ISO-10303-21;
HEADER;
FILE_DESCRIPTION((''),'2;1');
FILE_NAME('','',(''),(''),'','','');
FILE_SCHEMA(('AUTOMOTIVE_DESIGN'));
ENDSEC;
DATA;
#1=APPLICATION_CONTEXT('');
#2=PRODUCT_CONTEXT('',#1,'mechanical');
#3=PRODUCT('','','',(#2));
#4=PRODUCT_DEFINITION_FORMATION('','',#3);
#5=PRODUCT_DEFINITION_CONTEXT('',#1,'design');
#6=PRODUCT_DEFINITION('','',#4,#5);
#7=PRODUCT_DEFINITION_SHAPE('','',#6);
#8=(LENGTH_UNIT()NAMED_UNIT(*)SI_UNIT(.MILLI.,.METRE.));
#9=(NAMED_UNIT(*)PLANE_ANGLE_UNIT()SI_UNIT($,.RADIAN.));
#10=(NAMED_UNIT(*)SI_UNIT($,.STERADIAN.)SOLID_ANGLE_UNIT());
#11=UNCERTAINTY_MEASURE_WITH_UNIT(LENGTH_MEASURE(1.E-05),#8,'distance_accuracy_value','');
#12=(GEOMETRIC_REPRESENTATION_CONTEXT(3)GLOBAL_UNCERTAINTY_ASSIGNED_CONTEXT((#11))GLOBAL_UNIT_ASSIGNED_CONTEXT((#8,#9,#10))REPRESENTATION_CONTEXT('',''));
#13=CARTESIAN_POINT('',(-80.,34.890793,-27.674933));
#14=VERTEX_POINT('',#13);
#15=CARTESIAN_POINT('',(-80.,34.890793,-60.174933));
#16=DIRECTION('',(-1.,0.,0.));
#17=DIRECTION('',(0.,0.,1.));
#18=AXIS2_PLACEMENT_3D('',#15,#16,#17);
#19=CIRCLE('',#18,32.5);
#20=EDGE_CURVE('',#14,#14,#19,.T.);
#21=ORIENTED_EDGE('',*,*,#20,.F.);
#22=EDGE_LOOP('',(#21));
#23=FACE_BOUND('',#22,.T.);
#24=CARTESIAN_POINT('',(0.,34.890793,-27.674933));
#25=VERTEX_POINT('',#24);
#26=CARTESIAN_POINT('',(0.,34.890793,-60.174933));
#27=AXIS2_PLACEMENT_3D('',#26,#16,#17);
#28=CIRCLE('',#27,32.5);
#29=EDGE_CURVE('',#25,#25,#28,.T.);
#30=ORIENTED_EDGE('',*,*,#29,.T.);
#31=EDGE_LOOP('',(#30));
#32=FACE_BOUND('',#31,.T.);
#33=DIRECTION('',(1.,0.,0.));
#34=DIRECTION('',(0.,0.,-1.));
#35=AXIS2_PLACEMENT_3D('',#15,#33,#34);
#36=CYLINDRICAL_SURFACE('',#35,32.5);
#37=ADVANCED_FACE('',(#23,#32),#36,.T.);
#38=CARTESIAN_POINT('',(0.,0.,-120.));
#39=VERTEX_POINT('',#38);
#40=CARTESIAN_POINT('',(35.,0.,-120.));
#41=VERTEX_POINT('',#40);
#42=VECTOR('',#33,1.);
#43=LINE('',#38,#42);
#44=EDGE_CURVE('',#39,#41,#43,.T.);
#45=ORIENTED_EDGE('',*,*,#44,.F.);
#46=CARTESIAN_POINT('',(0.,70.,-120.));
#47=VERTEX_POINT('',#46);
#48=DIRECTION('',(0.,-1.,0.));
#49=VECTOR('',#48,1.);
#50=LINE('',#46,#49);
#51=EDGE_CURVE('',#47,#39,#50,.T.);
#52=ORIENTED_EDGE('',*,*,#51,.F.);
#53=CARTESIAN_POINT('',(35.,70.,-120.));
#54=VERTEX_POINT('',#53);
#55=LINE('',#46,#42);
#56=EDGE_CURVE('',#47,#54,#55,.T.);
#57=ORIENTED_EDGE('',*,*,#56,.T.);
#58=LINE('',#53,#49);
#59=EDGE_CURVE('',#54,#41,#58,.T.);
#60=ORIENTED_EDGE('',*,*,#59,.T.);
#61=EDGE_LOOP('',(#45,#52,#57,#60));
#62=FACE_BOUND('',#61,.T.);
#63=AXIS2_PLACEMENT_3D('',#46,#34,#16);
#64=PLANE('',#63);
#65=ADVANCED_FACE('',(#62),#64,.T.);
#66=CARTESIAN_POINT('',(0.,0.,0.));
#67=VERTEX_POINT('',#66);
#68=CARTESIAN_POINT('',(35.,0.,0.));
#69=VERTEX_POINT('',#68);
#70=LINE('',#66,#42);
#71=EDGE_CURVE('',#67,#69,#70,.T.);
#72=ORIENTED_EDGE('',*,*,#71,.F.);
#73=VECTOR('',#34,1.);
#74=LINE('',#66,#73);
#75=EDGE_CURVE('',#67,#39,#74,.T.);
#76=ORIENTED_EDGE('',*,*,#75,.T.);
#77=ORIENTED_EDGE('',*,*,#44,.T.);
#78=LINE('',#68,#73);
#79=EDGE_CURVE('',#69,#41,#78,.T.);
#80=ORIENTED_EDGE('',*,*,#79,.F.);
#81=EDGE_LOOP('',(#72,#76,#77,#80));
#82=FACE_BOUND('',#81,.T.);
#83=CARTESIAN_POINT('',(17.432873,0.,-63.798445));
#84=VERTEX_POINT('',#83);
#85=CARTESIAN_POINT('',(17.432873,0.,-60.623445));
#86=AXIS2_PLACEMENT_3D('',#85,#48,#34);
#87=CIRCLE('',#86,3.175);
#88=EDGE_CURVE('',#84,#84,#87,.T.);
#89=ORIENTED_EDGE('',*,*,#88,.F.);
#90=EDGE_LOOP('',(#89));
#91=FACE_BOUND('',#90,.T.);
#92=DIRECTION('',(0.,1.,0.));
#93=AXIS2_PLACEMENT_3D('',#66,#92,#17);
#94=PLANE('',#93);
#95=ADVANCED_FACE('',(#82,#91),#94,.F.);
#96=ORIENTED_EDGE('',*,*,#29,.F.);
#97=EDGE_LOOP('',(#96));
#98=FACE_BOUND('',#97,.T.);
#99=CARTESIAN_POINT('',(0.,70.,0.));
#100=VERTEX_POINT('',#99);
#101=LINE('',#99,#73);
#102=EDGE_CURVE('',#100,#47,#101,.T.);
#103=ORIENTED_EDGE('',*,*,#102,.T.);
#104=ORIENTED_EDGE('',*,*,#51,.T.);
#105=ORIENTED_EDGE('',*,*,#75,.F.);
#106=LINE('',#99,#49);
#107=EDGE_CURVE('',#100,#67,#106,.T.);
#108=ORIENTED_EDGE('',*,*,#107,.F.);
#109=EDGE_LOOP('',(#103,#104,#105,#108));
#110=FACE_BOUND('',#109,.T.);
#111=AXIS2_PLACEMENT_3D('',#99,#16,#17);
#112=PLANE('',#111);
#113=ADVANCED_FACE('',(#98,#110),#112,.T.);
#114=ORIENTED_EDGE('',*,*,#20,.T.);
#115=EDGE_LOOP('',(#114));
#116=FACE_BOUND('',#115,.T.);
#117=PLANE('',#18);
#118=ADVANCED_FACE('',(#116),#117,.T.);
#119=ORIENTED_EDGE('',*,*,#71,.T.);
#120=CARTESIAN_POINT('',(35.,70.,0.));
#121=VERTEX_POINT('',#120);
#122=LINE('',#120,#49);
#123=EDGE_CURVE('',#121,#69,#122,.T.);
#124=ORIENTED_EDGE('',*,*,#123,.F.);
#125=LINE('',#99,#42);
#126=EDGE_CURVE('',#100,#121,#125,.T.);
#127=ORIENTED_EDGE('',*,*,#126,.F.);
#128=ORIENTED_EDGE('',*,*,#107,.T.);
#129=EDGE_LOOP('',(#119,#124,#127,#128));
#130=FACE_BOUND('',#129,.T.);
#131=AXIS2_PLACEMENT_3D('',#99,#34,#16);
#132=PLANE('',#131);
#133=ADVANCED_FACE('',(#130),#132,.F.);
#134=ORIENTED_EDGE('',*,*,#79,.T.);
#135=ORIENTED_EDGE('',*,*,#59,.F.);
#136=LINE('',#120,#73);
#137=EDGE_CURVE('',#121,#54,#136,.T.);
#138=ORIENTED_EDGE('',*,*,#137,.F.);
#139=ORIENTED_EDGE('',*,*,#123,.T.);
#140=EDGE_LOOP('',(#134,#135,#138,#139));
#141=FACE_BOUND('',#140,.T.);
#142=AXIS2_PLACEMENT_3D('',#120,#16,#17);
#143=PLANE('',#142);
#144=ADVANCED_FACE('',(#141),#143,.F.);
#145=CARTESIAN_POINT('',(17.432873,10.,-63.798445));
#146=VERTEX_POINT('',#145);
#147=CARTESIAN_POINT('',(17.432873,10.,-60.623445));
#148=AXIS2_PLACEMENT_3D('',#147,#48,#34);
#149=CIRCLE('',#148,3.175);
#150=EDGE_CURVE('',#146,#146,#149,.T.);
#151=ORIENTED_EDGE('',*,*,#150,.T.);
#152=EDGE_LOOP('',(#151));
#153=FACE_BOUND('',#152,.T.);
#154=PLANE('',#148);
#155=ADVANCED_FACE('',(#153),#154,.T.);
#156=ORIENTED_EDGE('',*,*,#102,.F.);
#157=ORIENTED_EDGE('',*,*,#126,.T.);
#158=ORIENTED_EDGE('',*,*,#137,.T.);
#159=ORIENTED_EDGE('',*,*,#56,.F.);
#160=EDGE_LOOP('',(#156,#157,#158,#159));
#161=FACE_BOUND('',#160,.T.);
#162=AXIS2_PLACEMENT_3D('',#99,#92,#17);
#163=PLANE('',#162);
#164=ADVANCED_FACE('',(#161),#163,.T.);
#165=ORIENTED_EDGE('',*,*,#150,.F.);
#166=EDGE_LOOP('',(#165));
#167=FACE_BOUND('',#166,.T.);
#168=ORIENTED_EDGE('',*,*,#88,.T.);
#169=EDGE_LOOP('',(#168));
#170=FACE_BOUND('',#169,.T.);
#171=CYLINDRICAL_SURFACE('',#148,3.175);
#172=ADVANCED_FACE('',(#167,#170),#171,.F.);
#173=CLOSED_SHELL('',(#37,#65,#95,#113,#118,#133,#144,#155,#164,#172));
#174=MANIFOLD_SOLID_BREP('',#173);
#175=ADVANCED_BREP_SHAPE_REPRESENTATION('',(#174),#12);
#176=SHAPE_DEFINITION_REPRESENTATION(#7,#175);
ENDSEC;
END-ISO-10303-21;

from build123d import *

# Parameters (mm, degrees)
SKETCH1_W           = 35
SKETCH1_H           = 120
BOSS_EXTRUDE1_DEPTH = 70
SKETCH2_R           = 32.5
BOSS_EXTRUDE2_DEPTH = 80
SKETCH3_R           = 3.175
CUT_EXTRUDE1_DEPTH  = 10


with BuildPart() as part:
    # Sketch1 → Boss-Extrude1 (new body)
    with BuildSketch(Plane(origin=(0, 0, 0), x_dir=(1, 0, 0), z_dir=(0, 1, 0))):
        with Locations((17.5, 60)):
            Rectangle(SKETCH1_W, SKETCH1_H)
    extrude(amount=BOSS_EXTRUDE1_DEPTH)

    # Sketch2 → Boss-Extrude2 (add)
    with BuildSketch(Plane.ZY):
        with Locations((-60.174932569, 34.890792619)):
            Circle(SKETCH2_R)
    extrude(amount=BOSS_EXTRUDE2_DEPTH)

    # Sketch3 → Cut-Extrude1 (cut)
    with BuildSketch(Plane.XZ):
        with Locations(Location((17.432872718, -60.623445189, 0), (0, 0, 270))):
            Circle(SKETCH3_R)
    extrude(amount=-CUT_EXTRUDE1_DEPTH, mode=Mode.SUBTRACT)


solid = part.part
